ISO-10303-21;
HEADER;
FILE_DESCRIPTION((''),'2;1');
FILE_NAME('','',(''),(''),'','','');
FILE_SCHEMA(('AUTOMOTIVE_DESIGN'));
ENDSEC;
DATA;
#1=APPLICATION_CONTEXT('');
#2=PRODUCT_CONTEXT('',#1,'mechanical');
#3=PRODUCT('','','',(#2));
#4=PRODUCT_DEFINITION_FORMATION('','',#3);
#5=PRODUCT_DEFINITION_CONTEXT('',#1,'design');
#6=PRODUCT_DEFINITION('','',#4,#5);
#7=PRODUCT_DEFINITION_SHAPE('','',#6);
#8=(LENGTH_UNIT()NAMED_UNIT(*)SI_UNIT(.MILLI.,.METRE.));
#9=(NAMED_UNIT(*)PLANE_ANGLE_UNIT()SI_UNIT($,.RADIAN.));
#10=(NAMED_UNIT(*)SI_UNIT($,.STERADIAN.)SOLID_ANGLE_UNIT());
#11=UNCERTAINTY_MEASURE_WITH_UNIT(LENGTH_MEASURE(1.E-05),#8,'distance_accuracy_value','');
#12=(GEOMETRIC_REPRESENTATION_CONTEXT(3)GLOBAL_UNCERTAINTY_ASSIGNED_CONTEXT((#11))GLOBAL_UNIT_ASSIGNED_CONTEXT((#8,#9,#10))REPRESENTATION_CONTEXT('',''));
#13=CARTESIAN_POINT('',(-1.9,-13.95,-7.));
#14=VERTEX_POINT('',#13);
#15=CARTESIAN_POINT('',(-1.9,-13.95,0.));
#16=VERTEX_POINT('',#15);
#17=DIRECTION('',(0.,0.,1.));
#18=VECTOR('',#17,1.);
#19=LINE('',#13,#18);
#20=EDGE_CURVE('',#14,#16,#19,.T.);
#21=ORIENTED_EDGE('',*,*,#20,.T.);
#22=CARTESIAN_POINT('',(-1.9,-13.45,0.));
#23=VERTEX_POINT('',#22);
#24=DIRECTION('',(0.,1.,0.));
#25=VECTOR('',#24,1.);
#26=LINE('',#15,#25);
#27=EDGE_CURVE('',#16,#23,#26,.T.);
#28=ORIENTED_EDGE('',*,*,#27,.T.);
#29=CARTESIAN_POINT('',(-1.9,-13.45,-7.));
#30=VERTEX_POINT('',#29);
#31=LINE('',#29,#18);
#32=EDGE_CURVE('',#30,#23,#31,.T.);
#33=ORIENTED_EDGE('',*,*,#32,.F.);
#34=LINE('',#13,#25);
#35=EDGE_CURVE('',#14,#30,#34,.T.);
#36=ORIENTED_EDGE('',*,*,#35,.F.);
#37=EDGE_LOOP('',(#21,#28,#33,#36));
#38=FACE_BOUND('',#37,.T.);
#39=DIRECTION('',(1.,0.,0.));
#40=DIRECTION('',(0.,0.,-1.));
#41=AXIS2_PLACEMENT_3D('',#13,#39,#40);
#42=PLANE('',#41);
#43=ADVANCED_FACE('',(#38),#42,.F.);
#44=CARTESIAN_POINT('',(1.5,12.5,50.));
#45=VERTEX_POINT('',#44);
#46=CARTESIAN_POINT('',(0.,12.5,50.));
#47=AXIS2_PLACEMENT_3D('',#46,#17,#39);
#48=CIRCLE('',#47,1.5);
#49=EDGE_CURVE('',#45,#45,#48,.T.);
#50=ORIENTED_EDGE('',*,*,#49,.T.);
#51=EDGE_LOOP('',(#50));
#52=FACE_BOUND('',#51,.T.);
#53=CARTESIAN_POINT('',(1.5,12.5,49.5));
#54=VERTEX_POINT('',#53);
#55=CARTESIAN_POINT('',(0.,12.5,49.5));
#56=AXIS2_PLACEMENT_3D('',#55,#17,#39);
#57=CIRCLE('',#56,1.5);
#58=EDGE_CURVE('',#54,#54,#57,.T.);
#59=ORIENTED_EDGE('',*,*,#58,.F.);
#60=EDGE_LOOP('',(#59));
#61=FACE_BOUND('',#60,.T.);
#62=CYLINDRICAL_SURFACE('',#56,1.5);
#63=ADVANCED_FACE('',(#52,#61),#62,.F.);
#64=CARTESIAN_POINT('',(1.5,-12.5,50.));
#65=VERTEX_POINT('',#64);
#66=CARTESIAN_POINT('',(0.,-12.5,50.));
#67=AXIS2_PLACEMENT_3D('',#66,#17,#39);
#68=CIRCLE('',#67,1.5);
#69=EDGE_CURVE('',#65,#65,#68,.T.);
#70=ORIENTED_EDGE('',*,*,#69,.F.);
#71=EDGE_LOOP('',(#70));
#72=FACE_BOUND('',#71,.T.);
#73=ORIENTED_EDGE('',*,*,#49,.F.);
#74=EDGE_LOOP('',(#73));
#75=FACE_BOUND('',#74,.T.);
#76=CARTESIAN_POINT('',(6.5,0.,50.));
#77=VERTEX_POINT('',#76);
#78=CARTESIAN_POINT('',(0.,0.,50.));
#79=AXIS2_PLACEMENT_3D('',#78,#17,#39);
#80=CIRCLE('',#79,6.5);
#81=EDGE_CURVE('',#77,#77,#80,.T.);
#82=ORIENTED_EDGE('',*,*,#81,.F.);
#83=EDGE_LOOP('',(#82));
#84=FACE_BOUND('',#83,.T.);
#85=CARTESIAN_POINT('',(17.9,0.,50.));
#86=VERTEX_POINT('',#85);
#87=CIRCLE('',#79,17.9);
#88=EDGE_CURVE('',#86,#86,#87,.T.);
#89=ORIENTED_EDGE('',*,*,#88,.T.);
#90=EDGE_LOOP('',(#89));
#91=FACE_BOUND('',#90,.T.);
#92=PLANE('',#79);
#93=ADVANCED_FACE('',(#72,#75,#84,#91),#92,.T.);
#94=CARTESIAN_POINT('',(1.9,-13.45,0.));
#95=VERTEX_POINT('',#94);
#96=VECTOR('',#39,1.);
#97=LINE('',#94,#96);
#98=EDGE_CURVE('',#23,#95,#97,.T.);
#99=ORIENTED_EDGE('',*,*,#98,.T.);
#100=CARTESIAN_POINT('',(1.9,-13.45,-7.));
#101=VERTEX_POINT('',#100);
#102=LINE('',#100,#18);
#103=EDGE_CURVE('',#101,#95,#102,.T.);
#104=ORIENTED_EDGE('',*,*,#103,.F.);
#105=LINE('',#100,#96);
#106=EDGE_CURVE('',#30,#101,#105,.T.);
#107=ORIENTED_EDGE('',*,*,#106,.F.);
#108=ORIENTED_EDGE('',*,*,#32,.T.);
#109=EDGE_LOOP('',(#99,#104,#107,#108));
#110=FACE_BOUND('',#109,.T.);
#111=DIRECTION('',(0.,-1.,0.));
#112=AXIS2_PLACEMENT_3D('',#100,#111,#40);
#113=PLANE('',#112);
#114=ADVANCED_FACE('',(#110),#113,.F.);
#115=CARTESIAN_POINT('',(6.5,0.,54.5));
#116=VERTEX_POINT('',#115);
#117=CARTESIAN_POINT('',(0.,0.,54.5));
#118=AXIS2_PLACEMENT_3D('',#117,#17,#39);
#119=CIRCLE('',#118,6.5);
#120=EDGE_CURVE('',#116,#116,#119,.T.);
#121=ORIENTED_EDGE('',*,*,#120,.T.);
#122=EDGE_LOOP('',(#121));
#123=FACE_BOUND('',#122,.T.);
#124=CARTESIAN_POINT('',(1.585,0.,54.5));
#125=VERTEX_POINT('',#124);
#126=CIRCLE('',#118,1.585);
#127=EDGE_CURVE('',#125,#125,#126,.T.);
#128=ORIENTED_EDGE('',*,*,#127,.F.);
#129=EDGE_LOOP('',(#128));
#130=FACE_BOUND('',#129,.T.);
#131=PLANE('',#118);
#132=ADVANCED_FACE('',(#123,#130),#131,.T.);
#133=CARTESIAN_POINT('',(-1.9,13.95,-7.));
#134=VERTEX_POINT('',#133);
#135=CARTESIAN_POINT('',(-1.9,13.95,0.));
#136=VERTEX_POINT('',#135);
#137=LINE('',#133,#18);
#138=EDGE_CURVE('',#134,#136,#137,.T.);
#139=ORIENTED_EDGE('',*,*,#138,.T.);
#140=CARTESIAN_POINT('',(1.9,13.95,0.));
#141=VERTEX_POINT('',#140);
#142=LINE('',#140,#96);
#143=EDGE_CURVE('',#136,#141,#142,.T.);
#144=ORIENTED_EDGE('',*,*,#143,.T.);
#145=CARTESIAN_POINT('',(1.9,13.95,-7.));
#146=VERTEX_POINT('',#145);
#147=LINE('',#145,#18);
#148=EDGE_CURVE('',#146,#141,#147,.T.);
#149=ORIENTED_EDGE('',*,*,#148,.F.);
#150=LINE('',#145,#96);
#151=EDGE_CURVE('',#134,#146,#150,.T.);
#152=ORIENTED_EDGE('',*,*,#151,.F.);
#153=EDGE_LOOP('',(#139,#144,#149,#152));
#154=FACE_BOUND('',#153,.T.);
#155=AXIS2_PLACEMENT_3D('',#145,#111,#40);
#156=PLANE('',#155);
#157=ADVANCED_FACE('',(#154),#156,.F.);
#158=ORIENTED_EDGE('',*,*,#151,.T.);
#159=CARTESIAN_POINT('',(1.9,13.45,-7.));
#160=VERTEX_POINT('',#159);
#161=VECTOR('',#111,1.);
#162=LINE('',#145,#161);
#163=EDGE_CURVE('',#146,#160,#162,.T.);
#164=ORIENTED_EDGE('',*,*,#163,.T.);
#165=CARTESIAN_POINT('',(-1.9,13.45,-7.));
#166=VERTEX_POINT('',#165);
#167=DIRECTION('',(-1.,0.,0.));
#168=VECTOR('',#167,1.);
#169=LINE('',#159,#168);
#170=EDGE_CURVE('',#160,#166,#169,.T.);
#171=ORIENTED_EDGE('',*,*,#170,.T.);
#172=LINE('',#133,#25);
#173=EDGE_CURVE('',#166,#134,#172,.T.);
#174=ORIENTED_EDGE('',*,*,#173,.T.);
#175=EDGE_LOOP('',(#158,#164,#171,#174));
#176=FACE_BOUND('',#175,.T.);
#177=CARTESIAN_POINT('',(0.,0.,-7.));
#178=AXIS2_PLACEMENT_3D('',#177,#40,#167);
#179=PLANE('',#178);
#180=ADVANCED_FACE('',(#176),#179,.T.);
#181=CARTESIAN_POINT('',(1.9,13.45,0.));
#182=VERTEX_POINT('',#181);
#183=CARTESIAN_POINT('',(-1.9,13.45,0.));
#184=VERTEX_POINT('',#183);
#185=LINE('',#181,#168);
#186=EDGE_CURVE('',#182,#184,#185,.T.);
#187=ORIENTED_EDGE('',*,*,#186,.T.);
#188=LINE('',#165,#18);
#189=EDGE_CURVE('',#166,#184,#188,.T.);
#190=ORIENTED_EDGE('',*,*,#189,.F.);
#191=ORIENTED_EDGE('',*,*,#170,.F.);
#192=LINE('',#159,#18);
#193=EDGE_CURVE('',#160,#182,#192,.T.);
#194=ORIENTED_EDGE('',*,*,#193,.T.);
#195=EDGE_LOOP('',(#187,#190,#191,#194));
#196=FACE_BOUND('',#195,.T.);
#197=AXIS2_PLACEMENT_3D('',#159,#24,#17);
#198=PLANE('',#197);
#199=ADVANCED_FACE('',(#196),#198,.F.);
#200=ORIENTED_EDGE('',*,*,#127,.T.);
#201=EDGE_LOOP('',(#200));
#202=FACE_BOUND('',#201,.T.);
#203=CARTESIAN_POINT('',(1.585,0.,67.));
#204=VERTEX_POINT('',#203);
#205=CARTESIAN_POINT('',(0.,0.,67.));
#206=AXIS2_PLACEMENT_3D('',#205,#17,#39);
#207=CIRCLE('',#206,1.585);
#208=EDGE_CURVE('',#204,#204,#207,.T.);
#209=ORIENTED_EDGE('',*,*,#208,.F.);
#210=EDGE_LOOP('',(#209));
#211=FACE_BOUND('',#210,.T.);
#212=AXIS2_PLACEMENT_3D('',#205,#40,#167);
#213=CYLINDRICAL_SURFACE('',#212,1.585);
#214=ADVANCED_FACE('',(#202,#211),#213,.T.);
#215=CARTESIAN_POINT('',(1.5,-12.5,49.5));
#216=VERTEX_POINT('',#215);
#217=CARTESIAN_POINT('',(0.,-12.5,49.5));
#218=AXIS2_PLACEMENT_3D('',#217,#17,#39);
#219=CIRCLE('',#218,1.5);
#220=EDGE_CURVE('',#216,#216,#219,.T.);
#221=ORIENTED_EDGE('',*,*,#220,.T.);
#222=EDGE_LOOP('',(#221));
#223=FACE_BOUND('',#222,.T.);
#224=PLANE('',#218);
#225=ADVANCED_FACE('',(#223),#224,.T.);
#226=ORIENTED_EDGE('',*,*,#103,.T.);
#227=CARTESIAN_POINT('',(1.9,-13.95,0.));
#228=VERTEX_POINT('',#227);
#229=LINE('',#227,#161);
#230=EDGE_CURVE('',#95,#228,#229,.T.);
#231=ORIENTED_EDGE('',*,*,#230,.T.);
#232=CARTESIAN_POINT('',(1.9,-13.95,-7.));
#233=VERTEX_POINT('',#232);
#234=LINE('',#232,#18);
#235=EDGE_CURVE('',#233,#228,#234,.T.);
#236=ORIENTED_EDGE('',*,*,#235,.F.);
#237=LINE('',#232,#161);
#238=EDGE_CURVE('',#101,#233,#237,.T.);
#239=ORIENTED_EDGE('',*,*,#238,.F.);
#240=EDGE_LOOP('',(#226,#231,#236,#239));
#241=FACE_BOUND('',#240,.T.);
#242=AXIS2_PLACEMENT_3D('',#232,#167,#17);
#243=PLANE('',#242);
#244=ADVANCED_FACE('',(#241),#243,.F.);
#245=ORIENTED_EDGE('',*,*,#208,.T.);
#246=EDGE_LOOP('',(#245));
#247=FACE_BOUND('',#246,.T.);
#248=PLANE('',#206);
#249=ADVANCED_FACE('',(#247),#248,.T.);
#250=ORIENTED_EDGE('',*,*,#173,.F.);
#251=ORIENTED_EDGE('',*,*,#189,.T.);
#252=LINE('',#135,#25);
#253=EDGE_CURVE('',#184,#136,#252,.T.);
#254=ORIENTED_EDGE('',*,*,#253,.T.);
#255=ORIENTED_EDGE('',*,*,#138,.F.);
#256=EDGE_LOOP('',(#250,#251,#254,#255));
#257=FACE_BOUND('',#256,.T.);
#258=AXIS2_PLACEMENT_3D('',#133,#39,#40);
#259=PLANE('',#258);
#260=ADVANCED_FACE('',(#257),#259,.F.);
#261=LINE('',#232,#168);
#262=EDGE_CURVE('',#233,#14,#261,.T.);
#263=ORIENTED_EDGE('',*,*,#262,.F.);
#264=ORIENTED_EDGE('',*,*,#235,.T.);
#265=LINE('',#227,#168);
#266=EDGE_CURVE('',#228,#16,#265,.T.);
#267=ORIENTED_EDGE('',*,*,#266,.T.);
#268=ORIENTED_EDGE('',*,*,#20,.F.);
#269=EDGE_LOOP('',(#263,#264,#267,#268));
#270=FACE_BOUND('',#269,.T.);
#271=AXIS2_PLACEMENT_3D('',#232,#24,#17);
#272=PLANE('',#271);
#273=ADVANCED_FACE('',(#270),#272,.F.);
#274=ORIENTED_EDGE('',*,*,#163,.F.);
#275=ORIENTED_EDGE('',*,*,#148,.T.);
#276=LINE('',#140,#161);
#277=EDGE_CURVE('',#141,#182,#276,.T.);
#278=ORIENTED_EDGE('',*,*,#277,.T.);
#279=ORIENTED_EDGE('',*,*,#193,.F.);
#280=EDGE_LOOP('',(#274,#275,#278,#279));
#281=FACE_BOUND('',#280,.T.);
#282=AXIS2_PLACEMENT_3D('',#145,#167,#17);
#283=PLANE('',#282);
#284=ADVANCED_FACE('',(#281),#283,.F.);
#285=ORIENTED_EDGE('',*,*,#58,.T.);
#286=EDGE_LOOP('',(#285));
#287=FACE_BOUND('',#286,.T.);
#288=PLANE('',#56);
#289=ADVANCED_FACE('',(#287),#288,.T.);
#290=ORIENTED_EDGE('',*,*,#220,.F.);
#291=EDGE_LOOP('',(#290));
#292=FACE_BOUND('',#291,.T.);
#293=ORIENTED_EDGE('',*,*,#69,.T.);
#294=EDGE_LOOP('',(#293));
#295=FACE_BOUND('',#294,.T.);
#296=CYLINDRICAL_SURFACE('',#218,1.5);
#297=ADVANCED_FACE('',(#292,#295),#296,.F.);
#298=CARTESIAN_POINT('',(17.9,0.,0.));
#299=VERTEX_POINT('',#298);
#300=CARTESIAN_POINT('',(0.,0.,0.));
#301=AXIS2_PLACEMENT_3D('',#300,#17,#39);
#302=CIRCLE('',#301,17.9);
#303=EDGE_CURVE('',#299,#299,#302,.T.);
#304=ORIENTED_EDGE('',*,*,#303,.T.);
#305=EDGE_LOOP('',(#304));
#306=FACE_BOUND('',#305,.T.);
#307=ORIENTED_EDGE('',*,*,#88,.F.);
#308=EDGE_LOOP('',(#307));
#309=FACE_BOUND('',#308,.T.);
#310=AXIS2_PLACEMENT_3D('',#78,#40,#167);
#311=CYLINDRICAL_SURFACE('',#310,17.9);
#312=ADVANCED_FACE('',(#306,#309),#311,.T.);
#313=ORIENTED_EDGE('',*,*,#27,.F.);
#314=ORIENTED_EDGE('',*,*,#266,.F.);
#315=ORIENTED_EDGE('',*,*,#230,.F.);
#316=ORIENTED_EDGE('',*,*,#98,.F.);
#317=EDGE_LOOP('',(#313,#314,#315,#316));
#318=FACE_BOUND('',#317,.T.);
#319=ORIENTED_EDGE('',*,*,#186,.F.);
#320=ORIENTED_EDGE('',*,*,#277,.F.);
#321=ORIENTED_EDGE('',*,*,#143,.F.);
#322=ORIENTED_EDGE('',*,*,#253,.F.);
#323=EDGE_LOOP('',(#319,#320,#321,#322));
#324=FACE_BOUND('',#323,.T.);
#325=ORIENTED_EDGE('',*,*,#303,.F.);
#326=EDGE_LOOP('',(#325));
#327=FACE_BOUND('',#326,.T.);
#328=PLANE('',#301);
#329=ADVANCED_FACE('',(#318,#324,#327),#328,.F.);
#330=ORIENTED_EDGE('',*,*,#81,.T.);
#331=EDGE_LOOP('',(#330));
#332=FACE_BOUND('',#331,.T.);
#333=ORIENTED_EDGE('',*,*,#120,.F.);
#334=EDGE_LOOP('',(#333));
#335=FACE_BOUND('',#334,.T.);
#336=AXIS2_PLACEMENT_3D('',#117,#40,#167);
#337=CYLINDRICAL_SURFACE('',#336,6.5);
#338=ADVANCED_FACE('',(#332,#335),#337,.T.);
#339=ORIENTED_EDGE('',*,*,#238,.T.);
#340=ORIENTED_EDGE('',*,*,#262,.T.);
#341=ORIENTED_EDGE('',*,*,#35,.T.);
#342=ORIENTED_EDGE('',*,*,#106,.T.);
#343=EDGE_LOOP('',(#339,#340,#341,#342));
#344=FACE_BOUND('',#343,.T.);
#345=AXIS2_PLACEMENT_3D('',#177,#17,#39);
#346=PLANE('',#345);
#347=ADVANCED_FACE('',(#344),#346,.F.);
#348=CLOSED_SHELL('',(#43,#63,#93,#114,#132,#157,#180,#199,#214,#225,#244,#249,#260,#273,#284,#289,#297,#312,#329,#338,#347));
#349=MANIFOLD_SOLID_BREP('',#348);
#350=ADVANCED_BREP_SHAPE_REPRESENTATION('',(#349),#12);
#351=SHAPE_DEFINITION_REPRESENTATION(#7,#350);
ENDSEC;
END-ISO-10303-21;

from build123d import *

# Parameters (mm, degrees)
SKETCH_2_R          = 17.9
EXTRUDE_1_DEPTH     = 50
SKETCH_3_R          = 6.5
EXTRUDE_2_DEPTH     = 4.5
SKETCH_4_R          = 1.585
EXTRUDE_5_DEPTH     = 12.5
SKETCH_5_R          = 1.5
CUT_EXTRUDE_1_DEPTH = 0.5
SKETCH_6_W          = 3.8
SKETCH_6_H          = 0.5
EXTRUDE_6_DEPTH     = 7


with BuildPart() as part:
    # ｽｹｯﾁ2 → ﾎﾞｽ - 押し出し1 (new body)
    with BuildSketch(Plane.XY):
        Circle(SKETCH_2_R)
    extrude(amount=EXTRUDE_1_DEPTH)

    # ｽｹｯﾁ3 → ﾎﾞｽ - 押し出し2 (add)
    with BuildSketch(Plane.XY.offset(50)):
        Circle(SKETCH_3_R)
    extrude(amount=EXTRUDE_2_DEPTH)

    # ｽｹｯﾁ4 → ﾎﾞｽ - 押し出し5 (add)
    with BuildSketch(Plane.XY.offset(54.5)):
        Circle(SKETCH_4_R)
    extrude(amount=EXTRUDE_5_DEPTH)

    # ｽｹｯﾁ5 → ｶｯﾄ - 押し出し1 (cut)
    with BuildSketch(Plane.XY.offset(50)):
        with Locations((0, 12.5)):
            Circle(SKETCH_5_R)
        with Locations((0, -12.5)):
            Circle(SKETCH_5_R)
    extrude(amount=-CUT_EXTRUDE_1_DEPTH, mode=Mode.SUBTRACT)

    # ｽｹｯﾁ6 → ﾎﾞｽ - 押し出し6 (add)
    with BuildSketch(Plane(origin=(0, 0, 0), x_dir=(-1, 0, 0), z_dir=(0, 0, -1))):
        with Locations((0, 13.7)):
            Rectangle(SKETCH_6_W, SKETCH_6_H)
        with Locations((0, -13.7)):
            Rectangle(SKETCH_6_W, SKETCH_6_H)
    extrude(amount=EXTRUDE_6_DEPTH)


solid = part.part
